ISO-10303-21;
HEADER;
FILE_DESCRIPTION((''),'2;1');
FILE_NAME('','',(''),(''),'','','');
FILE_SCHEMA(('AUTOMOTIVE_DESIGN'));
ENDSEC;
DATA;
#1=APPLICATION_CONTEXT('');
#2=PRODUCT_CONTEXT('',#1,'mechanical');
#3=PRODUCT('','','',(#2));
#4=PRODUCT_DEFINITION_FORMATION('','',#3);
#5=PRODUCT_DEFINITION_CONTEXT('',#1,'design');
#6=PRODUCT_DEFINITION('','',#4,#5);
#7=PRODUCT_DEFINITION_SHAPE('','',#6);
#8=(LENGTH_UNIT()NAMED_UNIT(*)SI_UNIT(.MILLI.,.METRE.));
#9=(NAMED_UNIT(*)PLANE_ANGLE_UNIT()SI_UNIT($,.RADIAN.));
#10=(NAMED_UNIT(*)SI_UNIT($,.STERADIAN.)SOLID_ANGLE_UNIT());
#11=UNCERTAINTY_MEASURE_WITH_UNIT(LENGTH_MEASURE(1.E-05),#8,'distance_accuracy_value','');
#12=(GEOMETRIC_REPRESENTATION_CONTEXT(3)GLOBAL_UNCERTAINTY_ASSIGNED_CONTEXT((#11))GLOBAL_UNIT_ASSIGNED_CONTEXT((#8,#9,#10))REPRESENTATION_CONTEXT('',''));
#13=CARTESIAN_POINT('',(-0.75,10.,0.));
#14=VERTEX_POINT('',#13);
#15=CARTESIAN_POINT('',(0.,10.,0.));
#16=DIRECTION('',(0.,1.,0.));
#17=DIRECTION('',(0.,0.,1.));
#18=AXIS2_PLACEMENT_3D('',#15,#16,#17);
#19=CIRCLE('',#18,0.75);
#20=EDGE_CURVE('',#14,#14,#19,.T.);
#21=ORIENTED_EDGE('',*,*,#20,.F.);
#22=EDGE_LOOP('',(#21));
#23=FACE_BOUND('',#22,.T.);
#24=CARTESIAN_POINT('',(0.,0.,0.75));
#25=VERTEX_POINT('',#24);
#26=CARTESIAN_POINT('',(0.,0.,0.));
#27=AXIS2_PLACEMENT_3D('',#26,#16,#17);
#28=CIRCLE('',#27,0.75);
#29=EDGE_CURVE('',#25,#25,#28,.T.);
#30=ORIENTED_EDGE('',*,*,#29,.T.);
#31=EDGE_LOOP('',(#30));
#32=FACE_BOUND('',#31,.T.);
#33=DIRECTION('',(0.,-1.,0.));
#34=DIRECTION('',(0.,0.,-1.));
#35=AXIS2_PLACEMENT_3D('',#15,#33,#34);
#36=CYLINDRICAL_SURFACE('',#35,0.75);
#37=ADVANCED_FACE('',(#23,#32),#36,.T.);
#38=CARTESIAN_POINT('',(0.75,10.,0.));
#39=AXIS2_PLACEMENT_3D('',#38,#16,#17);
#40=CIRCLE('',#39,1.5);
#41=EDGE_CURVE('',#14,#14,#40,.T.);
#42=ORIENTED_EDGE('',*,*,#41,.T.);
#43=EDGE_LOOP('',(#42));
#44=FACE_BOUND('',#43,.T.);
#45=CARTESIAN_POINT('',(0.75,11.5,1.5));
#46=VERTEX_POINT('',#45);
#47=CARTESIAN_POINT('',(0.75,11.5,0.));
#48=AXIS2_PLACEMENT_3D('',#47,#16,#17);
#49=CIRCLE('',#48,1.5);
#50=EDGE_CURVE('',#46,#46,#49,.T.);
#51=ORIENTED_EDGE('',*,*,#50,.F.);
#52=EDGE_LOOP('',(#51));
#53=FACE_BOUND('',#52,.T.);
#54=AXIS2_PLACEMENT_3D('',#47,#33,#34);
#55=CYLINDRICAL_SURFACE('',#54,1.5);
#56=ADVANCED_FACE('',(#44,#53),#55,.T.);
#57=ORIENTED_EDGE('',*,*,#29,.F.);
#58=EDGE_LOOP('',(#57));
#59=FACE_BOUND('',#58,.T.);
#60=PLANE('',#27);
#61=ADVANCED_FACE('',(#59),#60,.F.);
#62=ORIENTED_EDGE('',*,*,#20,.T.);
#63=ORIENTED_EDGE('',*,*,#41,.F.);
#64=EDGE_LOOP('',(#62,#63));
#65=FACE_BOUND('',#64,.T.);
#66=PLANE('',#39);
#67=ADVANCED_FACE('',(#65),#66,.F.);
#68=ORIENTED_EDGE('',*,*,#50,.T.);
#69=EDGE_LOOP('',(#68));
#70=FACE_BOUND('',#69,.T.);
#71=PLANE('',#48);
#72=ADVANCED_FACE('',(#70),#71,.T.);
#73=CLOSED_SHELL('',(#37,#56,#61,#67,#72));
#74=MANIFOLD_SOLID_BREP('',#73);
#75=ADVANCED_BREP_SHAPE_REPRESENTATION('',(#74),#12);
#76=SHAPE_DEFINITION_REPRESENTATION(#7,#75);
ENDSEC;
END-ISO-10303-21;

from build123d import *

# Parameters (mm, degrees)
SKETCH1_R           = 0.75
BOSS_EXTRUDE1_DEPTH = 10
SKETCH2_R           = 1.5
BOSS_EXTRUDE2_DEPTH = 1.5


with BuildPart() as part:
    # Sketch1 → Boss-Extrude1 (new body)
    with BuildSketch(Plane(origin=(0, 0, 0), x_dir=(1, 0, 0), z_dir=(0, 1, 0))):
        with Locations(Location((0, 0, 0), (0, 0, 270))):
            Circle(SKETCH1_R)
    extrude(amount=BOSS_EXTRUDE1_DEPTH)

    # Sketch2 → Boss-Extrude2 (add)
    with BuildSketch(Plane(origin=(0, 10, 0), x_dir=(1, 0, 0), z_dir=(0, 1, 0))):
        with Locations(Location((0.75, 0, 0), (0, 0, 180))):
            Circle(SKETCH2_R)
    extrude(amount=BOSS_EXTRUDE2_DEPTH)


solid = part.part
